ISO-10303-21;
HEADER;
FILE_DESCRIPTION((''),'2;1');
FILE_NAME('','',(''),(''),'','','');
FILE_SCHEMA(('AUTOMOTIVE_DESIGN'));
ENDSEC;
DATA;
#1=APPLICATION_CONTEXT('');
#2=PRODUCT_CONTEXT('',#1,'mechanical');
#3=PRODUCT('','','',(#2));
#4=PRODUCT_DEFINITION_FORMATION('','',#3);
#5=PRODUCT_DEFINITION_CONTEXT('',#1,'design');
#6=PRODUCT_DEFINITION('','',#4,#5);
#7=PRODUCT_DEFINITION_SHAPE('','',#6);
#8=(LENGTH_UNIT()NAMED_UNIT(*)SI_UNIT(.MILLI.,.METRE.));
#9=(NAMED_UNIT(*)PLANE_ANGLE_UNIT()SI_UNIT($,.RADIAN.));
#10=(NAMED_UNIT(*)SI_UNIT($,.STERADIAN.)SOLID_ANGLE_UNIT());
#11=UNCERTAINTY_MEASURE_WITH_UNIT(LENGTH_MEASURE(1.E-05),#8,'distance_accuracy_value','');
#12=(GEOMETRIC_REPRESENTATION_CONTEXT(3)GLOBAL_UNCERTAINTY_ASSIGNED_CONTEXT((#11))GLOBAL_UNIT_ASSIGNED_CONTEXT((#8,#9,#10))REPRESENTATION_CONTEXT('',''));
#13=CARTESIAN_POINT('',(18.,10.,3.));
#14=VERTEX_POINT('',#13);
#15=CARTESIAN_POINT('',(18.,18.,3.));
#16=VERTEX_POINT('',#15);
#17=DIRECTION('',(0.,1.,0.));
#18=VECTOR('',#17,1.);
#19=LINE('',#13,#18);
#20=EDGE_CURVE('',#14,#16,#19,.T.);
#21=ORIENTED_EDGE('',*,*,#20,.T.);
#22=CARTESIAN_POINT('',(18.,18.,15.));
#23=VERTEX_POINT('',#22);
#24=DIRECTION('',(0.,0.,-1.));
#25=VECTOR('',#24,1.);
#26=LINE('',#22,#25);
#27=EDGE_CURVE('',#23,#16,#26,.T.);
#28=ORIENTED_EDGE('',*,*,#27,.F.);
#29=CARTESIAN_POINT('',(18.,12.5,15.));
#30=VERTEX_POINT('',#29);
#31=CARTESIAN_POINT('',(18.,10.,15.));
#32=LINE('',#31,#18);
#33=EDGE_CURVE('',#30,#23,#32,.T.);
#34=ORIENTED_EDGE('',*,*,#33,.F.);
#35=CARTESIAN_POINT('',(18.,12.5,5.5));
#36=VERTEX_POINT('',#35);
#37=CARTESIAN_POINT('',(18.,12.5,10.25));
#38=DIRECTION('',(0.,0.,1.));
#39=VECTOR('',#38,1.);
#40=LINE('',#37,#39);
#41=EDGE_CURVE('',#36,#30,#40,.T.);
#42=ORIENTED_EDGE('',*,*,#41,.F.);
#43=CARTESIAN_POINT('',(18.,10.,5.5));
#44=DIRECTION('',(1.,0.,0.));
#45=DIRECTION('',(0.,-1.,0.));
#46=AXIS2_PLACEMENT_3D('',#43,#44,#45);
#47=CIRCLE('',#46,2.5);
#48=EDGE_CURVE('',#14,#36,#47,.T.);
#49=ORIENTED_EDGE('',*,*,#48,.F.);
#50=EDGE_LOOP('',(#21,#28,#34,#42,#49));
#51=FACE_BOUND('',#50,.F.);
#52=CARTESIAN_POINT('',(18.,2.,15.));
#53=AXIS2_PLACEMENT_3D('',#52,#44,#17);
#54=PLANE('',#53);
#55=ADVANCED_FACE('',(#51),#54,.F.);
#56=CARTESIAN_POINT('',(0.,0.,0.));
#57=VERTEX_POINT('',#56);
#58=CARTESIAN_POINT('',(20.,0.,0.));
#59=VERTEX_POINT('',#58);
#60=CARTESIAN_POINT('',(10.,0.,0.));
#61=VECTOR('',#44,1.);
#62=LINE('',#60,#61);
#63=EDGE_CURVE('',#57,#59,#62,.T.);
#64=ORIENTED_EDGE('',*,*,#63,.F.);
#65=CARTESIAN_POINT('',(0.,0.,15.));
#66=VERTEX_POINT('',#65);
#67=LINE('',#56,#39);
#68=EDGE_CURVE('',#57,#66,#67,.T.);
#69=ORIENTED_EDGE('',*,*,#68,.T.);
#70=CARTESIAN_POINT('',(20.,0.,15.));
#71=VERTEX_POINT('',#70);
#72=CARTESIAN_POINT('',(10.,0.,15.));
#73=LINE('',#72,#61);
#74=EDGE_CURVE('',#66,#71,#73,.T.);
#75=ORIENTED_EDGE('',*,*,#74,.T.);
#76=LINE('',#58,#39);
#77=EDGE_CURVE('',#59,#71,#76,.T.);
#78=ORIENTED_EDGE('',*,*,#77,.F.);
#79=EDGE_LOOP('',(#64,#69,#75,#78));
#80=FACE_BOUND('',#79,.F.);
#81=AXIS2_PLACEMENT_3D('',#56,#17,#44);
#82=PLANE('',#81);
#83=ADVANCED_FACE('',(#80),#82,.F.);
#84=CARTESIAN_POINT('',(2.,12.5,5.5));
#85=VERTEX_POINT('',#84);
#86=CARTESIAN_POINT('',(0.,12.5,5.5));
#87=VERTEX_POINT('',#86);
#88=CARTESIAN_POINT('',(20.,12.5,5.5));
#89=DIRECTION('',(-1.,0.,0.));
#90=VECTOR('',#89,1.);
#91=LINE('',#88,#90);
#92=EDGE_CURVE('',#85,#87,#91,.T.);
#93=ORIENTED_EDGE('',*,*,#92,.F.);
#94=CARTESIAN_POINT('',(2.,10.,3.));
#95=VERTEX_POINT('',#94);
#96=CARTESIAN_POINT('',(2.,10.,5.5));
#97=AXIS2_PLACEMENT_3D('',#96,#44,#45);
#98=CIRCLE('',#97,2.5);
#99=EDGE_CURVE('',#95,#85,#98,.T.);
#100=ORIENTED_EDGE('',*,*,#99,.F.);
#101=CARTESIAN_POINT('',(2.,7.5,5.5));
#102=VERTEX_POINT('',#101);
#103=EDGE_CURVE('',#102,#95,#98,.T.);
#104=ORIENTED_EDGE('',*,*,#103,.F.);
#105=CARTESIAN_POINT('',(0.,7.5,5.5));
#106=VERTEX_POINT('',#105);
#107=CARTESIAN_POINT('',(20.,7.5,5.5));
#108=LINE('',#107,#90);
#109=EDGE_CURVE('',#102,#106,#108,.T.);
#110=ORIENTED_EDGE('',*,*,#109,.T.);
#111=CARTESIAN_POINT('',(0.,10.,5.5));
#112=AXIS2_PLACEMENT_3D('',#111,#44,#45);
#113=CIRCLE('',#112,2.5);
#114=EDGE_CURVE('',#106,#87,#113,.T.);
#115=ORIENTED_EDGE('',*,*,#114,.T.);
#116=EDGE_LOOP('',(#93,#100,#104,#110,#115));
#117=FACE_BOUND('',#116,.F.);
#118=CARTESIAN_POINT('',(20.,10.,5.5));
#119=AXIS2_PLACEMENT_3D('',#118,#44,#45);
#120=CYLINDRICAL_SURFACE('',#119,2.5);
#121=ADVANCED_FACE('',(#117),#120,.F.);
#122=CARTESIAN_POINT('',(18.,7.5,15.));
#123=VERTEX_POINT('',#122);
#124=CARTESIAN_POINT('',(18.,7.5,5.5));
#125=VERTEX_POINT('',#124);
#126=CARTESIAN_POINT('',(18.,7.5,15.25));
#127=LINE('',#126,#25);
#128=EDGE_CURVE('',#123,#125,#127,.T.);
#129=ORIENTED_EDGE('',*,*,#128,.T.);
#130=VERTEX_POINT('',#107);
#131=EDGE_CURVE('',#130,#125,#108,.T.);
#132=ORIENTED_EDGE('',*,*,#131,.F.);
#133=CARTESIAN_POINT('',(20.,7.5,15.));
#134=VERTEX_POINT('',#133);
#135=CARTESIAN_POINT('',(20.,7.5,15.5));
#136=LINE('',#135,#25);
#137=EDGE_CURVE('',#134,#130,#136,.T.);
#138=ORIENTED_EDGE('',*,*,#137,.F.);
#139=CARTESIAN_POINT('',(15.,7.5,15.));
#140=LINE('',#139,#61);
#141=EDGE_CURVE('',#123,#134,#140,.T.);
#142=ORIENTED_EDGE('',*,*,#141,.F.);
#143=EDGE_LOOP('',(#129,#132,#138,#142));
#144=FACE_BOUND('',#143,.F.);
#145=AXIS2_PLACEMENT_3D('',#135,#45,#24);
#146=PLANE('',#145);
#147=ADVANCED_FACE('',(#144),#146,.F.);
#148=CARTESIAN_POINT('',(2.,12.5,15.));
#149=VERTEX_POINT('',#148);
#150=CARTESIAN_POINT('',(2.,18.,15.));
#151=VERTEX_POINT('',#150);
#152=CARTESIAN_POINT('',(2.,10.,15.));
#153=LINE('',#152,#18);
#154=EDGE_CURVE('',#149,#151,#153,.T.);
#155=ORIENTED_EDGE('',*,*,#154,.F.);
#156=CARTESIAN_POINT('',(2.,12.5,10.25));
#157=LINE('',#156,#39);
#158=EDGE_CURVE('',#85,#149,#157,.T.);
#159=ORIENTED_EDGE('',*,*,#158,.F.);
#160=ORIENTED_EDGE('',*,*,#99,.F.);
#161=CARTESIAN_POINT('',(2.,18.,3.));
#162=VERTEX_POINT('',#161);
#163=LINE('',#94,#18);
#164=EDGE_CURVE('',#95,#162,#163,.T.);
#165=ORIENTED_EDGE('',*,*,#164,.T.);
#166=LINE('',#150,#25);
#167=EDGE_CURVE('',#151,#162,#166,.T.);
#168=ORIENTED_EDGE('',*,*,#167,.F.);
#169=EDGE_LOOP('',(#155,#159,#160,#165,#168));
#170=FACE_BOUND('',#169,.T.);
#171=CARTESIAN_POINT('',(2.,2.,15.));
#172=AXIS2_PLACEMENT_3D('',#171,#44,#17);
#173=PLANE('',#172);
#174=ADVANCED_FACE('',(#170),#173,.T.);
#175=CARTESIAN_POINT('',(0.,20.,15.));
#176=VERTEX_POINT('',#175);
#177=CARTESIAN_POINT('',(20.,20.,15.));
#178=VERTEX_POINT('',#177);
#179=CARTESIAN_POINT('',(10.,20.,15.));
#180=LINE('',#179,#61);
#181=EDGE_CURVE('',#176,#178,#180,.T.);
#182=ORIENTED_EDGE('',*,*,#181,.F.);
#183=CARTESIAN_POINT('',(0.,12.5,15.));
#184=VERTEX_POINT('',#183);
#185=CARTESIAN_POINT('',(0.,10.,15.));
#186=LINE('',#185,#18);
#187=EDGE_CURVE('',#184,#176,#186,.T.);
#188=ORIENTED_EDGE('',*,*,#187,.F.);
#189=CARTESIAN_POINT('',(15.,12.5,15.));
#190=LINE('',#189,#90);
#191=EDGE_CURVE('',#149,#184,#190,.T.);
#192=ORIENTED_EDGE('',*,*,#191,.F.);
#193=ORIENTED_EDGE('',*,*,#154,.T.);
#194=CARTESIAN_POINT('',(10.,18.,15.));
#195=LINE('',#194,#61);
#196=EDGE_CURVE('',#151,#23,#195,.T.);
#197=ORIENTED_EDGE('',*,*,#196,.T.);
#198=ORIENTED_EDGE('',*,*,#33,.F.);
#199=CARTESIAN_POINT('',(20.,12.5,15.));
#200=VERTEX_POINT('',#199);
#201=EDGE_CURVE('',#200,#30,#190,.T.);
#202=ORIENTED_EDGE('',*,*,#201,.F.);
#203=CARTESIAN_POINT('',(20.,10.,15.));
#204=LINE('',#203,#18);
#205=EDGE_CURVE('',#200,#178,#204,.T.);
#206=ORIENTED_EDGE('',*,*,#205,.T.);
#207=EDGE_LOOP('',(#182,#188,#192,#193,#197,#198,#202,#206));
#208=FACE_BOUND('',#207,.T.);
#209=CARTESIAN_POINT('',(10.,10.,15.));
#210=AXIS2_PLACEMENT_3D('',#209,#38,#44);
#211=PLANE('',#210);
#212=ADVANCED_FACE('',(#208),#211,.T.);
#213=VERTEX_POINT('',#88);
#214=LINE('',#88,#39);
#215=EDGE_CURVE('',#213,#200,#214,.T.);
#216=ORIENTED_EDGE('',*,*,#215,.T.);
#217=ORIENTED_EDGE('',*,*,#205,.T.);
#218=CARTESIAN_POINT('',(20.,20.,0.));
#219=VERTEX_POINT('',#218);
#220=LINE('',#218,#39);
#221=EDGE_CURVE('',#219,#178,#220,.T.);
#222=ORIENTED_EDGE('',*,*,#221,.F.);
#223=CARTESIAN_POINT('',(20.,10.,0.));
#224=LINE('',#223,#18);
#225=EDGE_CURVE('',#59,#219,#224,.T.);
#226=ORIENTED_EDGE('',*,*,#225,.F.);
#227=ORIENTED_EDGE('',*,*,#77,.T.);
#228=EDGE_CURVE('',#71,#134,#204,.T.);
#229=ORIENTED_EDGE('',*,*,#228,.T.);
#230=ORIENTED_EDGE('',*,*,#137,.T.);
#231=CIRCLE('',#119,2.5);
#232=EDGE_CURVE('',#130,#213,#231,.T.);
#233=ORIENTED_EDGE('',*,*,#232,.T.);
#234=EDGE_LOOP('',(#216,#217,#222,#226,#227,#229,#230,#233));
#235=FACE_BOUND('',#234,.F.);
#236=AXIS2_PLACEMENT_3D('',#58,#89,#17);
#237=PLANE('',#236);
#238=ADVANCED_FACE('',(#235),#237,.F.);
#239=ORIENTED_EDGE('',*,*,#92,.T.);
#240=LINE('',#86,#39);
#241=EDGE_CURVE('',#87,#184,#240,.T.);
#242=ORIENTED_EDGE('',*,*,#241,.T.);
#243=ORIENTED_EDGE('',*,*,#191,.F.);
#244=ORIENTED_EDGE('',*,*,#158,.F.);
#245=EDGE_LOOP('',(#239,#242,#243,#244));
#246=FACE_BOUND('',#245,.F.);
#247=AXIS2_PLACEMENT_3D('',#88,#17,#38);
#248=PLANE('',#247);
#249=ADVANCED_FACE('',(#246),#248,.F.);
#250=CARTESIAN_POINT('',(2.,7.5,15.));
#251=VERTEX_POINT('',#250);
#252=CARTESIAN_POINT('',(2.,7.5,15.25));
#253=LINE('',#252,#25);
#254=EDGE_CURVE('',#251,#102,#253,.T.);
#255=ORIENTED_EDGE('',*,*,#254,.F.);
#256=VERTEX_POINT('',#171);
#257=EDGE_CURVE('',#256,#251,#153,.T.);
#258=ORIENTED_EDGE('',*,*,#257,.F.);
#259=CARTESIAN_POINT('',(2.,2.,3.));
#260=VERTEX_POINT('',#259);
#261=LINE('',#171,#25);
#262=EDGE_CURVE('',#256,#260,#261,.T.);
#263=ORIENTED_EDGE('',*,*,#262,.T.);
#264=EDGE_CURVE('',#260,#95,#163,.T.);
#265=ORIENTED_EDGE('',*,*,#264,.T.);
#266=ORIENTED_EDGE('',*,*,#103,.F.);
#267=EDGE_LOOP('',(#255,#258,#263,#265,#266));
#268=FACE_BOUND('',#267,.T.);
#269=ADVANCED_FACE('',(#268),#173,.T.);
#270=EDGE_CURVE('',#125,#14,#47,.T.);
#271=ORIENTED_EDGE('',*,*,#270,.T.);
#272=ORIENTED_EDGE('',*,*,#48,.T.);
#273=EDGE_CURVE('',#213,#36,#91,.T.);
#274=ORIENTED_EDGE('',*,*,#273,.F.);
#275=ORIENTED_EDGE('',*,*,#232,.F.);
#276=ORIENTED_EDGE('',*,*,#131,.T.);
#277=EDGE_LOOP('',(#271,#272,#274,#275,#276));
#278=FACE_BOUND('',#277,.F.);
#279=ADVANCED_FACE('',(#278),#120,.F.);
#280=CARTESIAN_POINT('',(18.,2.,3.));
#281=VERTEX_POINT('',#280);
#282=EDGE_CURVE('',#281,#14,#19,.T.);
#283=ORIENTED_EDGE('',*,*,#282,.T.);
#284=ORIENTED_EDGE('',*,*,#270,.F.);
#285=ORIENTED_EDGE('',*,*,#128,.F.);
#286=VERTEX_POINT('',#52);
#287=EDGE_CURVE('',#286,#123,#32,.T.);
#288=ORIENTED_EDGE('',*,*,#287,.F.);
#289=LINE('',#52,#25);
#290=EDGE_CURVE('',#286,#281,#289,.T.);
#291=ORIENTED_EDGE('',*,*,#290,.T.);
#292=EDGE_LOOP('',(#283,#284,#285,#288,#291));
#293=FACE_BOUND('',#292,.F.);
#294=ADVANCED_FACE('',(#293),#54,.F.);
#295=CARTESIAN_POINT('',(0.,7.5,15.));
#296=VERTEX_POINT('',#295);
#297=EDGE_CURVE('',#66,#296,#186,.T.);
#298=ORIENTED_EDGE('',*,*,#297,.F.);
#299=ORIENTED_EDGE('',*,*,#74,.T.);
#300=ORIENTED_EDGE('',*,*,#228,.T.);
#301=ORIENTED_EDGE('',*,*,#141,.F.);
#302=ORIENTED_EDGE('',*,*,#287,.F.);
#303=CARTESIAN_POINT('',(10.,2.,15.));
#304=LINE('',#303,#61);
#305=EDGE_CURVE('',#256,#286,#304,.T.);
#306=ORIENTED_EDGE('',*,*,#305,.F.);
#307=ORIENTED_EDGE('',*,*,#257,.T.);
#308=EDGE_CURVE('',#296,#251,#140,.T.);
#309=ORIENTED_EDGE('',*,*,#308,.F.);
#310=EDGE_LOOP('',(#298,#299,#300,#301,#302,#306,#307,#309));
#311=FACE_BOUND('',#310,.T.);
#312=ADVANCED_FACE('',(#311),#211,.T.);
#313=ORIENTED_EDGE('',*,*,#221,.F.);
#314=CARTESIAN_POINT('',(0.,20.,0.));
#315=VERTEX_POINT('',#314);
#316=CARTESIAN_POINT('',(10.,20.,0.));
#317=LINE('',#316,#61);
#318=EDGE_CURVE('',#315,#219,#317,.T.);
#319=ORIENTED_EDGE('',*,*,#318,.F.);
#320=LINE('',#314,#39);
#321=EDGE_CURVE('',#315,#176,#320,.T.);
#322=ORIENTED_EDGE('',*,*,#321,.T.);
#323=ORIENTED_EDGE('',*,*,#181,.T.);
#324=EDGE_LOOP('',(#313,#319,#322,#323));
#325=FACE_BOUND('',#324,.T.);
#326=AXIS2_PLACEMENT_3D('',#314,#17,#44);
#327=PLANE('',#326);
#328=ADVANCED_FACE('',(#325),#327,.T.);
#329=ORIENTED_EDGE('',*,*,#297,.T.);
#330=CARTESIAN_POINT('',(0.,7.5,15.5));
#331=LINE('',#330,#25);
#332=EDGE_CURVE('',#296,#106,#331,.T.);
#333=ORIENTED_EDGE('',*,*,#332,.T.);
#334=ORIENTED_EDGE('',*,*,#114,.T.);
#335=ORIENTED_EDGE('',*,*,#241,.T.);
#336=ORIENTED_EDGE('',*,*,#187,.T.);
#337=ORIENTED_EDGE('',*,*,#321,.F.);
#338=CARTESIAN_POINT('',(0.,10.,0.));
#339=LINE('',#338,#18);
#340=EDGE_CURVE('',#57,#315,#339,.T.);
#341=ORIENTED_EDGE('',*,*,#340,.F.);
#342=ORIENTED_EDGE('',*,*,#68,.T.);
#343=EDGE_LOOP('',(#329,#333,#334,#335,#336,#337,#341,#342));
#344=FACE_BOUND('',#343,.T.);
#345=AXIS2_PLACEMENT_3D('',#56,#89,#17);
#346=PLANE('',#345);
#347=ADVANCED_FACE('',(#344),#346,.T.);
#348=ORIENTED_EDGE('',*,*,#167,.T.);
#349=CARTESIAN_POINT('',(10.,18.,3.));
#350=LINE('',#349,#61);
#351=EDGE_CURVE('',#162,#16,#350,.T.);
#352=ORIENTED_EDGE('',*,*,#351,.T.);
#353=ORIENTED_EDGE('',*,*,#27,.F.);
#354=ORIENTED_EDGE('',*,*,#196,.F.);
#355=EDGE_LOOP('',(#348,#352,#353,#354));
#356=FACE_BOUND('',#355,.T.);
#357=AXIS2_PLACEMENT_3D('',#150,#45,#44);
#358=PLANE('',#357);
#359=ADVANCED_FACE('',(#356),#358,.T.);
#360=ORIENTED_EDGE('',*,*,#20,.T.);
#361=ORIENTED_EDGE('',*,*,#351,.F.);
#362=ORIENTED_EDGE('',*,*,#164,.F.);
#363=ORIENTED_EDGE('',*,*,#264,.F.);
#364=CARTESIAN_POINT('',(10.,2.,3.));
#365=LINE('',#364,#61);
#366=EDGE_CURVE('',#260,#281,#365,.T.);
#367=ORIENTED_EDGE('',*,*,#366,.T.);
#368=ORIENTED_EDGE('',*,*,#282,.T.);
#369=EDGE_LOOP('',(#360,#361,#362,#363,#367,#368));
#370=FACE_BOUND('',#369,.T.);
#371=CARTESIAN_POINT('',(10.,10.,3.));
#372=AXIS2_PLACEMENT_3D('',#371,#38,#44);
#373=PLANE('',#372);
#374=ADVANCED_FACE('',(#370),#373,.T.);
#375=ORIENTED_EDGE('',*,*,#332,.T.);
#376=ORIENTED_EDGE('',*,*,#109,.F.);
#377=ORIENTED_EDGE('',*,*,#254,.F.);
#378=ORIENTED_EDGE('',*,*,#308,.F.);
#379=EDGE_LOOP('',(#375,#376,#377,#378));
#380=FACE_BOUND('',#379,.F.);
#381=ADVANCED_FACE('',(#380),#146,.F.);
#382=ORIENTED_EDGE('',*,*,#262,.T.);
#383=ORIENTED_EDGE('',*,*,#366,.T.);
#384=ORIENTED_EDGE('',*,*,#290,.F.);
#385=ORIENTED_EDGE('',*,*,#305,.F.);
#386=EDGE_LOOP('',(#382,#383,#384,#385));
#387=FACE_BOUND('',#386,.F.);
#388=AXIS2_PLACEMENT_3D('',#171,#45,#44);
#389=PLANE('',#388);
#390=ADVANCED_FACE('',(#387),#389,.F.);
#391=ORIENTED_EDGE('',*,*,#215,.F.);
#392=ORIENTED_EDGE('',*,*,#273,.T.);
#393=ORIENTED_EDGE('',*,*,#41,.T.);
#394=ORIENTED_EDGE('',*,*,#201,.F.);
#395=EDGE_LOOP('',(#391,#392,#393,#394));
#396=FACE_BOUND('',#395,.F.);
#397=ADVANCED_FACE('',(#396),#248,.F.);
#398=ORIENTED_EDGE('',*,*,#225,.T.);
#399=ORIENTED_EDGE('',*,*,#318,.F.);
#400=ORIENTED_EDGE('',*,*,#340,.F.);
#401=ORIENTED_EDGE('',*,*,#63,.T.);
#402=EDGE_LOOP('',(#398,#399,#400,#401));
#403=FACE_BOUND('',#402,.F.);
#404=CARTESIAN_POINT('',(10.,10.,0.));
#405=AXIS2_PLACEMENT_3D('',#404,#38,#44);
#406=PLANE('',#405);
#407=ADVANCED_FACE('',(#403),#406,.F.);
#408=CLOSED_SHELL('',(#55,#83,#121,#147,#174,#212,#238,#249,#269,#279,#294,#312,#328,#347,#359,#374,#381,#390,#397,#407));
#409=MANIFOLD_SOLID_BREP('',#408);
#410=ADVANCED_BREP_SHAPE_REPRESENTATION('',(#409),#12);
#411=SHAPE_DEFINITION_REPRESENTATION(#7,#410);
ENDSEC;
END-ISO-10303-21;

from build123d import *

# Parameters (mm, degrees)
SKETCH_W        = 20
SKETCH_H        = 20
PAD_DEPTH       = 15
SKETCH001_W     = 16
SKETCH001_H     = 16
POCKET_DEPTH    = 12
POCKET001_DEPTH = 20


with BuildPart() as part:
    # Sketch → Pad (new body)
    with BuildSketch(Plane.XY):
        with Locations((10, 10)):
            Rectangle(SKETCH_W, SKETCH_H)
    extrude(amount=PAD_DEPTH)

    # Sketch001 (on Face6 of Pad) → Pocket (cut)
    with BuildSketch(Plane.XY.offset(15)):
        with Locations((10, 10)):
            Rectangle(SKETCH001_W, SKETCH001_H)
    extrude(amount=-POCKET_DEPTH, mode=Mode.SUBTRACT)

    # Sketch002 (on Face3 of Pocket) → Pocket001 (cut)
    with BuildSketch(Plane.YZ.offset(20)):
        with BuildLine():
            ThreePointArc((12.5, 15.5), (10, 18), (7.5, 15.5))
            Line((7.5, 15.5), (7.5, 5.5))
            ThreePointArc((7.5, 5.5), (10, 3), (12.5, 5.5))
            Line((12.5, 5.5), (12.5, 15.5))
        make_face()
    extrude(amount=-POCKET001_DEPTH, mode=Mode.SUBTRACT)


solid = part.part
